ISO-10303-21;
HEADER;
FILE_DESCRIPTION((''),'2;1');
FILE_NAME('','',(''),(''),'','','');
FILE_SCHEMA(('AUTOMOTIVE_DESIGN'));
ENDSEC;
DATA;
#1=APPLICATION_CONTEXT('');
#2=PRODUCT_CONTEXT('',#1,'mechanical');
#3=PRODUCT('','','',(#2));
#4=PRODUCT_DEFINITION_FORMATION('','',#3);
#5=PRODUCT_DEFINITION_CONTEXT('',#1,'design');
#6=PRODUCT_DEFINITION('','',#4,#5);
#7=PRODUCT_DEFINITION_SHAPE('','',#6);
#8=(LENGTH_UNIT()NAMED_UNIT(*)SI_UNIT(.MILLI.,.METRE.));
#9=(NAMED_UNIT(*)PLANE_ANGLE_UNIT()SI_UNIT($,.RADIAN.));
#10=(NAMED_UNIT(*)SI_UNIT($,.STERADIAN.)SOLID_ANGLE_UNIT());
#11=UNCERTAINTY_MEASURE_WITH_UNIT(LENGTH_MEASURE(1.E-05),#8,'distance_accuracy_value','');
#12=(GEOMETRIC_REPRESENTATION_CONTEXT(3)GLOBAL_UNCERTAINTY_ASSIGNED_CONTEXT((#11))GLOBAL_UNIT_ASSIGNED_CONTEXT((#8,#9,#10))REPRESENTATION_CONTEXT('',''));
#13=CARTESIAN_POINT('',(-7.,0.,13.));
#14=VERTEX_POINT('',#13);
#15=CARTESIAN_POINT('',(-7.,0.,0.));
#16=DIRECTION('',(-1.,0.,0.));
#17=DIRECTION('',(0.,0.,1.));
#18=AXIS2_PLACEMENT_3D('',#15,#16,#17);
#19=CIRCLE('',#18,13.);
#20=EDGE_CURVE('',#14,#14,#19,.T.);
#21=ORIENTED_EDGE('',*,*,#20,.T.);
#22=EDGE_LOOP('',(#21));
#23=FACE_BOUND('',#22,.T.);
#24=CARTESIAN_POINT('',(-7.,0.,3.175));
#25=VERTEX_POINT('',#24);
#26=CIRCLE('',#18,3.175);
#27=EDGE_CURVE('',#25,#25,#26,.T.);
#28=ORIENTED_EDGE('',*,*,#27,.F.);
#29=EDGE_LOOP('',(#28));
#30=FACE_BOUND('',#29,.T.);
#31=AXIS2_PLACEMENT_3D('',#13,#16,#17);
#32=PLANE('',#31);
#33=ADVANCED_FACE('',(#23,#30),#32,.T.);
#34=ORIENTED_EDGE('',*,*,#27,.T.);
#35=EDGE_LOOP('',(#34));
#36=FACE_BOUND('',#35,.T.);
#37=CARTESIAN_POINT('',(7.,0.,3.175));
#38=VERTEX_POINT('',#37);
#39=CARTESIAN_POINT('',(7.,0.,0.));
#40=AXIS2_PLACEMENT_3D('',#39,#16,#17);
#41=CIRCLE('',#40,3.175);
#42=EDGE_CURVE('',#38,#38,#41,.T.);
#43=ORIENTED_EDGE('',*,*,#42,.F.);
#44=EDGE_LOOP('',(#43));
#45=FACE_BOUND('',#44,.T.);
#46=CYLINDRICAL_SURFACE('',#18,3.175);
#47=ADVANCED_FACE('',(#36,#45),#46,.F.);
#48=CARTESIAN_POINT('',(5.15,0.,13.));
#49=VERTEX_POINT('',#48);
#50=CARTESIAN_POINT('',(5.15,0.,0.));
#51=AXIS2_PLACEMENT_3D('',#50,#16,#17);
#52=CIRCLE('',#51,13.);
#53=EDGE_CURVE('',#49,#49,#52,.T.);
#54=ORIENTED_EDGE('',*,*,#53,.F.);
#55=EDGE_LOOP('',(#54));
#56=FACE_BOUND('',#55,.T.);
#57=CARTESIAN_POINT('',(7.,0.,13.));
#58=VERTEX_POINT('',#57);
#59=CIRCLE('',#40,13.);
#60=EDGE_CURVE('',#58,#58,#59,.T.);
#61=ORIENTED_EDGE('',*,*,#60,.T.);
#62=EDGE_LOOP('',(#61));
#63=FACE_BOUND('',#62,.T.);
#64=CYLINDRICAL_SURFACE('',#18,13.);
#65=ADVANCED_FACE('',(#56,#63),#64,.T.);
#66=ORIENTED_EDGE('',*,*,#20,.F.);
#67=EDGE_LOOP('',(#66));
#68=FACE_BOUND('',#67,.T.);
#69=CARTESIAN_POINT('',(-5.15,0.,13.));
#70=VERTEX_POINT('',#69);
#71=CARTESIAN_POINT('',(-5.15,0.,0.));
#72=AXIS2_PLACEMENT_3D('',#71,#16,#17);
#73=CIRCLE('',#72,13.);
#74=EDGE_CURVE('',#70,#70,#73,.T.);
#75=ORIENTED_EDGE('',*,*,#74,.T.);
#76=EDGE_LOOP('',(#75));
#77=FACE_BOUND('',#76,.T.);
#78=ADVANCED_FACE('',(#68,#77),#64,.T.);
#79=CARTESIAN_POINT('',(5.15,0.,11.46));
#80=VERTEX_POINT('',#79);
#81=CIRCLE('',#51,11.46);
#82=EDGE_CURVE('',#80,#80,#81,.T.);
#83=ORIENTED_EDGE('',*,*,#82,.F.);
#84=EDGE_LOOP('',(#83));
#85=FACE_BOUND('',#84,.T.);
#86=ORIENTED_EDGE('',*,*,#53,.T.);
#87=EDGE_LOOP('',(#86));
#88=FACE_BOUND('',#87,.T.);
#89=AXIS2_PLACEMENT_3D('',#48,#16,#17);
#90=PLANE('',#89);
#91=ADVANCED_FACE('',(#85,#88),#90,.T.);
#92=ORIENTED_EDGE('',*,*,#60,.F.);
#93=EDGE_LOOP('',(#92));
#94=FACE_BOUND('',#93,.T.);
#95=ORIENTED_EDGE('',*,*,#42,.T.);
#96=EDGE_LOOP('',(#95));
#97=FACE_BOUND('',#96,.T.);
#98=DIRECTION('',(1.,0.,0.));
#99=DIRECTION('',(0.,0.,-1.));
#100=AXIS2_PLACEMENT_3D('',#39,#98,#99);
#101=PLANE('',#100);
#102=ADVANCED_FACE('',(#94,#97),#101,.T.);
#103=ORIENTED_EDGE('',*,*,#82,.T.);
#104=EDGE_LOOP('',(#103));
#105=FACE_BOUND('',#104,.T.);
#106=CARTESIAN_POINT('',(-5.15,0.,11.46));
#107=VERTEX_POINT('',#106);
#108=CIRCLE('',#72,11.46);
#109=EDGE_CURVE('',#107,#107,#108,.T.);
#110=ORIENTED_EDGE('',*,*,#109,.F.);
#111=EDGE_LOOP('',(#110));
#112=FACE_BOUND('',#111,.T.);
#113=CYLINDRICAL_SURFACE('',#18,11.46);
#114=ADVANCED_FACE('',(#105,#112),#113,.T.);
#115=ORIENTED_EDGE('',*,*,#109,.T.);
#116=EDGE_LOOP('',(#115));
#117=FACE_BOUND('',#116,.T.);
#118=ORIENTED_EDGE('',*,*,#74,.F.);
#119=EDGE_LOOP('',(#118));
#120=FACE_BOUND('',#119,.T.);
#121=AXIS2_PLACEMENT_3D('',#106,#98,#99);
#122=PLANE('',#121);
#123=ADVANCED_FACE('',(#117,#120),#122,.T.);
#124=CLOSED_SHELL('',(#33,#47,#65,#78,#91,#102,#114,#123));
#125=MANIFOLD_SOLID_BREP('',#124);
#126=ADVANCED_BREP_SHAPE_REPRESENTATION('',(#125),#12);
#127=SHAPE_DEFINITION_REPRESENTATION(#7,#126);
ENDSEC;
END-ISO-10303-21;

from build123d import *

# Parameters (mm, degrees)
F_1_4_0_25_DIAMETER_HOLE1_D = 6.35


with BuildPart() as part:
    # Sketch1 → Revolve1 (revolve)
    with BuildSketch(Plane(origin=(0, 0, 0), x_dir=(1, 0, 0), z_dir=(0, 1, 0))):
        Polygon((0, -11.46), (-5.15, -11.46), (-5.15, -13), (-7, -13), (-7, 0), (7, 0), (7, -13), (5.15, -13), (5.15, -11.46), align=None)
    revolve(axis=Axis((-7, 0, 0), (1, 0, 0)))

    # 1/4 (0.25) Diameter Hole1 (through all)
    with Locations(Plane.ZY.offset(7)):
        with Locations((0, 0)):
            Hole(F_1_4_0_25_DIAMETER_HOLE1_D / 2)


solid = part.part
